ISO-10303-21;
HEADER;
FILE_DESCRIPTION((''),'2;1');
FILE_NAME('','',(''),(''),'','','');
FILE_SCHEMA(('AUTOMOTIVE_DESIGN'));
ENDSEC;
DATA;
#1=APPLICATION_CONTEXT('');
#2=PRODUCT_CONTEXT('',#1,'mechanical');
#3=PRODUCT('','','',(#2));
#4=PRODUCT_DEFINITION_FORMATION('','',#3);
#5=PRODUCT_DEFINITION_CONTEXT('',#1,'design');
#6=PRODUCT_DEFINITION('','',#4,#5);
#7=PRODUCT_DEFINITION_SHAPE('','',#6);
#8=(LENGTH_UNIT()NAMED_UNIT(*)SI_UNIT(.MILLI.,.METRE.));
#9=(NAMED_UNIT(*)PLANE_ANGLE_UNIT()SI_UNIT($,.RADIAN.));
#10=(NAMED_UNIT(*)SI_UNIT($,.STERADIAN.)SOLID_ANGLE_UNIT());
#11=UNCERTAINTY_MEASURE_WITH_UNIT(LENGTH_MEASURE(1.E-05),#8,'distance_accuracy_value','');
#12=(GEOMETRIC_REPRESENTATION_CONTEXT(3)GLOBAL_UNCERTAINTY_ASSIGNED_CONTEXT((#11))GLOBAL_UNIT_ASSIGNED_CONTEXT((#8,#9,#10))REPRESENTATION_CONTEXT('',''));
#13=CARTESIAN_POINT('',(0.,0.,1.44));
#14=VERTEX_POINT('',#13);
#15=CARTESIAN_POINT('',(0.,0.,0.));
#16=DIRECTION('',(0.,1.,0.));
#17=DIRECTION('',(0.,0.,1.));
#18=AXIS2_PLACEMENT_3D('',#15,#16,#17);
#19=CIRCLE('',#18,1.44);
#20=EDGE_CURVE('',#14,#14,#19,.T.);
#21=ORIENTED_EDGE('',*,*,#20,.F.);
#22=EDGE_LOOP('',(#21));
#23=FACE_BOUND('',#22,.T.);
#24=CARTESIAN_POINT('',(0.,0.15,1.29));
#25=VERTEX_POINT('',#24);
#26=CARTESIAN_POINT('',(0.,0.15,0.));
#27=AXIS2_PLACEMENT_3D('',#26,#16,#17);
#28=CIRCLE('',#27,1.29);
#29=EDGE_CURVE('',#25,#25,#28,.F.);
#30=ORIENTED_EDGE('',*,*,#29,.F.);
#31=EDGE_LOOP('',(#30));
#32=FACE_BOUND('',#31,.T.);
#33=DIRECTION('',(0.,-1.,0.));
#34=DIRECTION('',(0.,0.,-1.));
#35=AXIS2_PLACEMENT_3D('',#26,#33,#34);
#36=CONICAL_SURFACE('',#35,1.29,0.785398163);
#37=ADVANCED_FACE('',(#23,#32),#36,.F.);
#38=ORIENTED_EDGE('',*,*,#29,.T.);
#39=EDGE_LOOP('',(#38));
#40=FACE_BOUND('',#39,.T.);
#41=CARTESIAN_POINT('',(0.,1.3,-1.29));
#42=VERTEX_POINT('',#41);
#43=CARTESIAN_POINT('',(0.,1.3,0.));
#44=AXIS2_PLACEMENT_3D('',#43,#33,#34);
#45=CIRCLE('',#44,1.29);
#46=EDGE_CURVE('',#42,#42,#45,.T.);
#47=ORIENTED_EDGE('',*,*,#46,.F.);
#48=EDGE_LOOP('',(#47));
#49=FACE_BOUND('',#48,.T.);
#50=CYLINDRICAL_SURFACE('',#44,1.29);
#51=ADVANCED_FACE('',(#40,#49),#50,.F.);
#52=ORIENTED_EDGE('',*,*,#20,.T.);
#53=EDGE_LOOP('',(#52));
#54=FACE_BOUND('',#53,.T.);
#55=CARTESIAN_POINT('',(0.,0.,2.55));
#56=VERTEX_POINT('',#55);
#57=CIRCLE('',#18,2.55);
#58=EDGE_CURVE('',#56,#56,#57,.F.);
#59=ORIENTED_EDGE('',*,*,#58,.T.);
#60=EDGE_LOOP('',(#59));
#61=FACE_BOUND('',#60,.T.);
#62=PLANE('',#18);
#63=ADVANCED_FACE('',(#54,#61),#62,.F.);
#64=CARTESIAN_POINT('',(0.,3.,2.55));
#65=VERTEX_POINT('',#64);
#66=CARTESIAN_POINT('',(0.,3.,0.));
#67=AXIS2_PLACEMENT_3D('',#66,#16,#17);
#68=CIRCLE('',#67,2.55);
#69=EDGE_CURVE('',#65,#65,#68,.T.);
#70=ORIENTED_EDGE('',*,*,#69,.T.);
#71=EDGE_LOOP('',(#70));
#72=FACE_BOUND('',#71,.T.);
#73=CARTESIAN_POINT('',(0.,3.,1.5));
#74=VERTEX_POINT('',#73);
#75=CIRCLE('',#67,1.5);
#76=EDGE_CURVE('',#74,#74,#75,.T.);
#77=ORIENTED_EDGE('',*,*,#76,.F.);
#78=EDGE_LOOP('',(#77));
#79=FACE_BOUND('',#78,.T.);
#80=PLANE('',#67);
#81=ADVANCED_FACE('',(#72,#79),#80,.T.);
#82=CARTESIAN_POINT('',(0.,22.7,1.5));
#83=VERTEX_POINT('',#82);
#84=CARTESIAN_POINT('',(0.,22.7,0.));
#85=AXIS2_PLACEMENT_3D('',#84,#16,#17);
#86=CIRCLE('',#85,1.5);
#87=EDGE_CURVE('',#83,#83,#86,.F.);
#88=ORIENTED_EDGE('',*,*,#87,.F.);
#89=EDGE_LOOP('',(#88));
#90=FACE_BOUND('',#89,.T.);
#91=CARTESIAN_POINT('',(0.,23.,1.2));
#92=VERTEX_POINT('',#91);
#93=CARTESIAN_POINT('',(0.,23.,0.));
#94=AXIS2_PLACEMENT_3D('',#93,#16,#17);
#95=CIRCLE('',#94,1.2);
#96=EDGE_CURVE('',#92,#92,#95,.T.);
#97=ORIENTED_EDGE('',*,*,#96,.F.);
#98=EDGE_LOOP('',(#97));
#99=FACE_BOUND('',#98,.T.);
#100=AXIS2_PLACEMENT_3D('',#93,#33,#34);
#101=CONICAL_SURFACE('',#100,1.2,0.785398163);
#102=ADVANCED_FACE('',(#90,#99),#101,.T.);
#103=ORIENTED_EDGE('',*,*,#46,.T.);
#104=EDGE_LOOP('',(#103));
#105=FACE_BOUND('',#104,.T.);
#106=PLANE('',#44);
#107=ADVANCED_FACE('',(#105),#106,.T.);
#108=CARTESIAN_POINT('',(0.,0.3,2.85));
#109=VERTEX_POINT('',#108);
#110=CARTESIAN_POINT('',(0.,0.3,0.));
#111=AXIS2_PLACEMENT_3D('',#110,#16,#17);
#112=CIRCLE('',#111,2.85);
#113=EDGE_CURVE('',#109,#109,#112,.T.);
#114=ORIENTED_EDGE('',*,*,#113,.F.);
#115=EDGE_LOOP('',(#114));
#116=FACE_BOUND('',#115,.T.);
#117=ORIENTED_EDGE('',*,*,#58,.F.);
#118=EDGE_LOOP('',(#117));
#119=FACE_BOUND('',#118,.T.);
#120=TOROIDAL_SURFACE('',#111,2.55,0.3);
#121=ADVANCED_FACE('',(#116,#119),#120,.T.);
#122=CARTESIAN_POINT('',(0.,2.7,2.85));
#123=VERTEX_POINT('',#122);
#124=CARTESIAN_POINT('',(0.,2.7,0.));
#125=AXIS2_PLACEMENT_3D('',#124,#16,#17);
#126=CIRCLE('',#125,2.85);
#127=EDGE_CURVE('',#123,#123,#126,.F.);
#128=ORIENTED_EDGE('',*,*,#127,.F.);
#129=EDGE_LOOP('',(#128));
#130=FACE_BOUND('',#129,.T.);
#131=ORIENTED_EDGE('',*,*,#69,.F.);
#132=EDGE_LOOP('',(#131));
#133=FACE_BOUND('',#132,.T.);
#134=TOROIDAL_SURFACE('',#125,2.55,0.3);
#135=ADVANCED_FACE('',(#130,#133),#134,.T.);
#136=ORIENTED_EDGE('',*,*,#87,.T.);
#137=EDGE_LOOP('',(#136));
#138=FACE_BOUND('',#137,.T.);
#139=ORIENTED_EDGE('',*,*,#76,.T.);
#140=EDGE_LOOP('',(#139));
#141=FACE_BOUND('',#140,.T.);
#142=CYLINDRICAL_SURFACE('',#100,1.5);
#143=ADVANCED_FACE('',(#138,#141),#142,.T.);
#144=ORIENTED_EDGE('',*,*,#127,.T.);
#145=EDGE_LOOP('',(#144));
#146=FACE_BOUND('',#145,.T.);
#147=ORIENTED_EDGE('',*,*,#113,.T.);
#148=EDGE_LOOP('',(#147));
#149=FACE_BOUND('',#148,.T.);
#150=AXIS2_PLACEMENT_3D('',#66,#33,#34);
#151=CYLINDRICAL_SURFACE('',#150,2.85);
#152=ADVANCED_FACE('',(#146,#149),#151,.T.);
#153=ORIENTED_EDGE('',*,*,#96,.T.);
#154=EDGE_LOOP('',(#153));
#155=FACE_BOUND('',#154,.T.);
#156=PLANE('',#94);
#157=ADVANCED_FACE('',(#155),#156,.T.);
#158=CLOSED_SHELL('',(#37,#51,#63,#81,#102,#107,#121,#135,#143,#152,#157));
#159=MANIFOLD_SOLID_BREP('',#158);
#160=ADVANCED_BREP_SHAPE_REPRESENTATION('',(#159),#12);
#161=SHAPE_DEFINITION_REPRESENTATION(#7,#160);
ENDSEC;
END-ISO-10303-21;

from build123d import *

# Parameters (mm, degrees)
SKETCH_1_R          = 2.85
EXTRUDE_1_DEPTH     = 3
SKETCH_2_R          = 1.5
EXTRUDE_2_DEPTH     = 20
SKETCH_3_R          = 1.29
CUT_EXTRUDE_1_DEPTH = 1.3
FILLET_1_R          = 0.3
CHAMFER_1_SIZE      = 0.3
CHAMFER_2_SIZE      = 0.15


with BuildPart() as part:
    # 草图1 → 凸台-拉伸1 (new body)
    with BuildSketch(Plane(origin=(0, 0, 0), x_dir=(1, 0, 0), z_dir=(0, 1, 0))):
        with Locations(Location((0, 0, 0), (0, 0, 270))):
            Circle(SKETCH_1_R)
    extrude(amount=EXTRUDE_1_DEPTH)

    # 草图2 → 凸台-拉伸2 (add)
    with BuildSketch(Plane(origin=(0, 3, 0), x_dir=(1, 0, 0), z_dir=(0, 1, 0))):
        with Locations(Location((0, 0, 0), (0, 0, 270))):
            Circle(SKETCH_2_R)
    extrude(amount=EXTRUDE_2_DEPTH)

    # 草图3 → 切除-拉伸1 (cut)
    with BuildSketch(Plane.XZ):
        with Locations(Location((0, 0, 0), (0, 0, 270))):
            Circle(SKETCH_3_R)
    extrude(amount=-CUT_EXTRUDE_1_DEPTH, mode=Mode.SUBTRACT)

    # 圆角1
    fillet_1_edges = [part.edges().sort_by_distance(p)[0] for p in [
        (0, 0, -2.85),
        (0, 3, -2.85),
    ]]
    fillet(fillet_1_edges, radius=FILLET_1_R)

    # 倒角1
    chamfer_1_edges = [part.edges().sort_by_distance(p)[0] for p in [
        (0, 23, -1.5),
    ]]
    chamfer(chamfer_1_edges, length=CHAMFER_1_SIZE)

    # 倒角2
    chamfer_2_edges = [part.edges().sort_by_distance(p)[0] for p in [
        (0, 0, 1.29),
    ]]
    chamfer(chamfer_2_edges, length=CHAMFER_2_SIZE)


solid = part.part
